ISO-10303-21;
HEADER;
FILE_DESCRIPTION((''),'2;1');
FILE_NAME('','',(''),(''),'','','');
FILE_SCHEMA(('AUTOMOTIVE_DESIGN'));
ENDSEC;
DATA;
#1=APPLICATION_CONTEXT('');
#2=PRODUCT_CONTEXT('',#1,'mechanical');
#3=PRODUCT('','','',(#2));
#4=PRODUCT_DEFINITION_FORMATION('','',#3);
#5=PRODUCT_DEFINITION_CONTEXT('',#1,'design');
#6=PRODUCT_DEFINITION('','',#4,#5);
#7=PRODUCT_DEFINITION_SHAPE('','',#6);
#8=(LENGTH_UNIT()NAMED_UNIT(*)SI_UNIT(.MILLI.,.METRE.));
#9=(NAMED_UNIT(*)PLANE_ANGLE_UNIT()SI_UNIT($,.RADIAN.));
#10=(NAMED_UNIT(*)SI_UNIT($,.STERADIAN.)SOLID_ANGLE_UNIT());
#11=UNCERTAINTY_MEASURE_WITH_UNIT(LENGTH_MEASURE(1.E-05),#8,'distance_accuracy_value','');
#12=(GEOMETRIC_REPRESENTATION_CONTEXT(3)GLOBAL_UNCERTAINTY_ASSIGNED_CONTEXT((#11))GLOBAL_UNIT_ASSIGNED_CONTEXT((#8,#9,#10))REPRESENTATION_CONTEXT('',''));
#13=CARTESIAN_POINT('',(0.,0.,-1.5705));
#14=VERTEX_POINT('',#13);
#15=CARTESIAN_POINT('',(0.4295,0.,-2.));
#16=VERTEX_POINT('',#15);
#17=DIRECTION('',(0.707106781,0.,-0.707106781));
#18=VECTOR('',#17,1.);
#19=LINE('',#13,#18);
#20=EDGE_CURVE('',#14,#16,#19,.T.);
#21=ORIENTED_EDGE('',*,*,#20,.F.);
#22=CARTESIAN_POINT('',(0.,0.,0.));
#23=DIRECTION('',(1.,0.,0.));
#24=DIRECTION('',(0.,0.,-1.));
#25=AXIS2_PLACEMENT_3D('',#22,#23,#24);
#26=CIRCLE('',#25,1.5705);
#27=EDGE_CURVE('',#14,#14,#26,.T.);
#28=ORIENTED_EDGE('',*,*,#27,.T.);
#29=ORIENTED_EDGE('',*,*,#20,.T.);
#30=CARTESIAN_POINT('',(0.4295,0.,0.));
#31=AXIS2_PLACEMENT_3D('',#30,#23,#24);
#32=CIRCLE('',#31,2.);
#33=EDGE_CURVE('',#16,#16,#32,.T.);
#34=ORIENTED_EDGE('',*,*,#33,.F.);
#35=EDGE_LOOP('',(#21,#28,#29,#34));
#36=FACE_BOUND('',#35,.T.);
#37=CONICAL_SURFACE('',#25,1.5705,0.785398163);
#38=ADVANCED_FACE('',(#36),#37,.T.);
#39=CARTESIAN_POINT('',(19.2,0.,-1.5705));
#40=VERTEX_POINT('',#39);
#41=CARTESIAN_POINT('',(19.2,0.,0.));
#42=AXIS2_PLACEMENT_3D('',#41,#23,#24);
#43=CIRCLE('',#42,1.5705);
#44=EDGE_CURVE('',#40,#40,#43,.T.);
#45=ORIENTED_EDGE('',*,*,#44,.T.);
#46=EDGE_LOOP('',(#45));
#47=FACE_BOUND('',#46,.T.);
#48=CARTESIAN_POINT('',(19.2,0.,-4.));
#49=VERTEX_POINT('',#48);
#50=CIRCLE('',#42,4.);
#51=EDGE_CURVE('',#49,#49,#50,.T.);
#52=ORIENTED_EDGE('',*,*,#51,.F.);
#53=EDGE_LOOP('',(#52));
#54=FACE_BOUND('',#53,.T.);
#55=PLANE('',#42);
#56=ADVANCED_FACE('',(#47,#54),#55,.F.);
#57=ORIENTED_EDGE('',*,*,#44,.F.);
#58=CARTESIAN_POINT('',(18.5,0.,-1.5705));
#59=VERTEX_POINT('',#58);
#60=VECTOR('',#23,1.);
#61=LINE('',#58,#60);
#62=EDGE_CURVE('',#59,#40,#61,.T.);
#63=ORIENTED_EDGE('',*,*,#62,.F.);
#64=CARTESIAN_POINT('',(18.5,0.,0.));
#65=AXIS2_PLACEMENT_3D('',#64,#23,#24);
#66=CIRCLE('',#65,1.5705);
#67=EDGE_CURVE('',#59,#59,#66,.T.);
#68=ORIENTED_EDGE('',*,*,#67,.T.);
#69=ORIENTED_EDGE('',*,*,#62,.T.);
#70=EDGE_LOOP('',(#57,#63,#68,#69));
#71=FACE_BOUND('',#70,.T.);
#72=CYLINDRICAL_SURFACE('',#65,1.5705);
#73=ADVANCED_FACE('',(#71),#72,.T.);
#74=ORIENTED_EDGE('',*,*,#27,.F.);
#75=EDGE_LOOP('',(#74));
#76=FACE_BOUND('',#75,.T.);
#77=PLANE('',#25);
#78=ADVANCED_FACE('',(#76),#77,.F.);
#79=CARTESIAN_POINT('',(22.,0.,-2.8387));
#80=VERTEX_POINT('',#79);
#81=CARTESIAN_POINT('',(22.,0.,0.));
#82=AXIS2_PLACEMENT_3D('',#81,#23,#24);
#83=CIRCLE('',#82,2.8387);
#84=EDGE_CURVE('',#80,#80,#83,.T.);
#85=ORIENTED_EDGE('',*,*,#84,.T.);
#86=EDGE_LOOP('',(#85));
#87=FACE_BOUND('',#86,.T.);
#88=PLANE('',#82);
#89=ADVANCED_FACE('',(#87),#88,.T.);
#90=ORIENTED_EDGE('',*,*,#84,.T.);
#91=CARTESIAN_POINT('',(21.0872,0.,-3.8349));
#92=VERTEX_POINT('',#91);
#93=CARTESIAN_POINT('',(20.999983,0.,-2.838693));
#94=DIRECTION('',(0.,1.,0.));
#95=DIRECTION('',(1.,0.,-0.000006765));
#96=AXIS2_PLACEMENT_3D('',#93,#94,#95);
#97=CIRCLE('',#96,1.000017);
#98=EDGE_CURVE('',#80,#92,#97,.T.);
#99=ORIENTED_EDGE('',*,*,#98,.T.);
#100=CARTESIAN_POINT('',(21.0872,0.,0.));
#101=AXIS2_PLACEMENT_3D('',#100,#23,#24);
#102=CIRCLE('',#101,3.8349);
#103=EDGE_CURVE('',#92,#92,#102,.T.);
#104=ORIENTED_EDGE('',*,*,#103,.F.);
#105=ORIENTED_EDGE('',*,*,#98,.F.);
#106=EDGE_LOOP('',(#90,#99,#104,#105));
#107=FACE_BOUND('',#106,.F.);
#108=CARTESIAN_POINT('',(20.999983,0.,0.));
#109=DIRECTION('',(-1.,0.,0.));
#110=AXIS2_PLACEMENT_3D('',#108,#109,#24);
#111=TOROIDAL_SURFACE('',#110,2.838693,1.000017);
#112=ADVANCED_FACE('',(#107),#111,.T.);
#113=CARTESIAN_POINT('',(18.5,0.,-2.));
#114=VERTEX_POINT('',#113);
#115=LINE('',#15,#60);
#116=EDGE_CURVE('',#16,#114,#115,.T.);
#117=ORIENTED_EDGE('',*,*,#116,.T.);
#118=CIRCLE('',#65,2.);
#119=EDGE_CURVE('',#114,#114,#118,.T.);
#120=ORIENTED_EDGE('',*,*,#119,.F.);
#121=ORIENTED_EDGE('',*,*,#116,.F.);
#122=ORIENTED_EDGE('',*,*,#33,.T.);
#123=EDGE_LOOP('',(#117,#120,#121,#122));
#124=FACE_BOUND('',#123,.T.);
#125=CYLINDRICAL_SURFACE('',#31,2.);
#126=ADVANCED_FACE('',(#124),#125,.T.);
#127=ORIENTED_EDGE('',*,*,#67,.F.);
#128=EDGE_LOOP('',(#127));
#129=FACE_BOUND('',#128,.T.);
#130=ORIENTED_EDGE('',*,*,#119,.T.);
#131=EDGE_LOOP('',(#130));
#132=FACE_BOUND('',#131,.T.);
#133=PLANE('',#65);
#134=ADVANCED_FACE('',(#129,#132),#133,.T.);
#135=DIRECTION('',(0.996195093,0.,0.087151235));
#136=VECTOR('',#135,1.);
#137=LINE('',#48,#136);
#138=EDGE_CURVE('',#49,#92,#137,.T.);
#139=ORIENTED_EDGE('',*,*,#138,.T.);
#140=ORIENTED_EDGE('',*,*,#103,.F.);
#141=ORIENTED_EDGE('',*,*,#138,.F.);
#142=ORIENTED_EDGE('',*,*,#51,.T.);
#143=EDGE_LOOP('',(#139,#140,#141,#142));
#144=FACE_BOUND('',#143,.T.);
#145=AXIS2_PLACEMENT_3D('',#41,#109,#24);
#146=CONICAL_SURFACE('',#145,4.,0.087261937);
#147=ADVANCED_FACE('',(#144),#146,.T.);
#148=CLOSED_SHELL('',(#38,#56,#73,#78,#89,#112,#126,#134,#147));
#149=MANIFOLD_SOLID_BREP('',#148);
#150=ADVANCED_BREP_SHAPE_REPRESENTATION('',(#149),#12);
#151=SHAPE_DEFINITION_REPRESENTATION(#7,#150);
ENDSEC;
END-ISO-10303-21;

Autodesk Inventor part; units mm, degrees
sketch "Skizze_1" plane through (0, 0, 0) normal (0, 1, 0) x (-1, 0, 0)
  line L0 (-22, 0) -> (0, 0)
  line L1 (0, 0) -> (0, -1.5705)
  line L2 (0, -1.5705) -> (-0.4295, -2)
  line L3 (-0.4295, -2) -> (-18.5, -2)
  line L4 (-18.5, -2) -> (-18.5, -1.5705)
  line L5 (-18.5, -1.5705) -> (-19.2, -1.5705)
  line L6 (-19.2, -1.5705) -> (-19.2, -4)
  line L7 (-19.2, -4) -> (-21.0872, -3.8349)
  arc A0 (-22, -2.8387) -> (-21.0872, -3.8349) centre (-21, -2.8387) ccw
  line L8 (-22, -2.8387) -> (-22, 0)
  line L9 (-22, 0) -> (0, 0)
revolve "Revolution1" add sketch "Skizze_1" angle 360 about axis through (22, 0, 0) along (1, 0, 0)
thread "Thread1" size "M4x0.7" class "6g" standard "ISO Metric profile" length 17.0705
ref_plane "AS_XY" through (10.92, 0, 0) normal (1, 0, 0) x (0, 0, -1)
ref_plane "AS_YZ" through (10.92, 0, 0) normal (0, 0, -1) x (0, 1, 0)
ref_plane "AS_ZX" through (10.92, 0, 0) normal (0, 1, 0) x (1, 0, 0)
properties part number "205-S-AS"
